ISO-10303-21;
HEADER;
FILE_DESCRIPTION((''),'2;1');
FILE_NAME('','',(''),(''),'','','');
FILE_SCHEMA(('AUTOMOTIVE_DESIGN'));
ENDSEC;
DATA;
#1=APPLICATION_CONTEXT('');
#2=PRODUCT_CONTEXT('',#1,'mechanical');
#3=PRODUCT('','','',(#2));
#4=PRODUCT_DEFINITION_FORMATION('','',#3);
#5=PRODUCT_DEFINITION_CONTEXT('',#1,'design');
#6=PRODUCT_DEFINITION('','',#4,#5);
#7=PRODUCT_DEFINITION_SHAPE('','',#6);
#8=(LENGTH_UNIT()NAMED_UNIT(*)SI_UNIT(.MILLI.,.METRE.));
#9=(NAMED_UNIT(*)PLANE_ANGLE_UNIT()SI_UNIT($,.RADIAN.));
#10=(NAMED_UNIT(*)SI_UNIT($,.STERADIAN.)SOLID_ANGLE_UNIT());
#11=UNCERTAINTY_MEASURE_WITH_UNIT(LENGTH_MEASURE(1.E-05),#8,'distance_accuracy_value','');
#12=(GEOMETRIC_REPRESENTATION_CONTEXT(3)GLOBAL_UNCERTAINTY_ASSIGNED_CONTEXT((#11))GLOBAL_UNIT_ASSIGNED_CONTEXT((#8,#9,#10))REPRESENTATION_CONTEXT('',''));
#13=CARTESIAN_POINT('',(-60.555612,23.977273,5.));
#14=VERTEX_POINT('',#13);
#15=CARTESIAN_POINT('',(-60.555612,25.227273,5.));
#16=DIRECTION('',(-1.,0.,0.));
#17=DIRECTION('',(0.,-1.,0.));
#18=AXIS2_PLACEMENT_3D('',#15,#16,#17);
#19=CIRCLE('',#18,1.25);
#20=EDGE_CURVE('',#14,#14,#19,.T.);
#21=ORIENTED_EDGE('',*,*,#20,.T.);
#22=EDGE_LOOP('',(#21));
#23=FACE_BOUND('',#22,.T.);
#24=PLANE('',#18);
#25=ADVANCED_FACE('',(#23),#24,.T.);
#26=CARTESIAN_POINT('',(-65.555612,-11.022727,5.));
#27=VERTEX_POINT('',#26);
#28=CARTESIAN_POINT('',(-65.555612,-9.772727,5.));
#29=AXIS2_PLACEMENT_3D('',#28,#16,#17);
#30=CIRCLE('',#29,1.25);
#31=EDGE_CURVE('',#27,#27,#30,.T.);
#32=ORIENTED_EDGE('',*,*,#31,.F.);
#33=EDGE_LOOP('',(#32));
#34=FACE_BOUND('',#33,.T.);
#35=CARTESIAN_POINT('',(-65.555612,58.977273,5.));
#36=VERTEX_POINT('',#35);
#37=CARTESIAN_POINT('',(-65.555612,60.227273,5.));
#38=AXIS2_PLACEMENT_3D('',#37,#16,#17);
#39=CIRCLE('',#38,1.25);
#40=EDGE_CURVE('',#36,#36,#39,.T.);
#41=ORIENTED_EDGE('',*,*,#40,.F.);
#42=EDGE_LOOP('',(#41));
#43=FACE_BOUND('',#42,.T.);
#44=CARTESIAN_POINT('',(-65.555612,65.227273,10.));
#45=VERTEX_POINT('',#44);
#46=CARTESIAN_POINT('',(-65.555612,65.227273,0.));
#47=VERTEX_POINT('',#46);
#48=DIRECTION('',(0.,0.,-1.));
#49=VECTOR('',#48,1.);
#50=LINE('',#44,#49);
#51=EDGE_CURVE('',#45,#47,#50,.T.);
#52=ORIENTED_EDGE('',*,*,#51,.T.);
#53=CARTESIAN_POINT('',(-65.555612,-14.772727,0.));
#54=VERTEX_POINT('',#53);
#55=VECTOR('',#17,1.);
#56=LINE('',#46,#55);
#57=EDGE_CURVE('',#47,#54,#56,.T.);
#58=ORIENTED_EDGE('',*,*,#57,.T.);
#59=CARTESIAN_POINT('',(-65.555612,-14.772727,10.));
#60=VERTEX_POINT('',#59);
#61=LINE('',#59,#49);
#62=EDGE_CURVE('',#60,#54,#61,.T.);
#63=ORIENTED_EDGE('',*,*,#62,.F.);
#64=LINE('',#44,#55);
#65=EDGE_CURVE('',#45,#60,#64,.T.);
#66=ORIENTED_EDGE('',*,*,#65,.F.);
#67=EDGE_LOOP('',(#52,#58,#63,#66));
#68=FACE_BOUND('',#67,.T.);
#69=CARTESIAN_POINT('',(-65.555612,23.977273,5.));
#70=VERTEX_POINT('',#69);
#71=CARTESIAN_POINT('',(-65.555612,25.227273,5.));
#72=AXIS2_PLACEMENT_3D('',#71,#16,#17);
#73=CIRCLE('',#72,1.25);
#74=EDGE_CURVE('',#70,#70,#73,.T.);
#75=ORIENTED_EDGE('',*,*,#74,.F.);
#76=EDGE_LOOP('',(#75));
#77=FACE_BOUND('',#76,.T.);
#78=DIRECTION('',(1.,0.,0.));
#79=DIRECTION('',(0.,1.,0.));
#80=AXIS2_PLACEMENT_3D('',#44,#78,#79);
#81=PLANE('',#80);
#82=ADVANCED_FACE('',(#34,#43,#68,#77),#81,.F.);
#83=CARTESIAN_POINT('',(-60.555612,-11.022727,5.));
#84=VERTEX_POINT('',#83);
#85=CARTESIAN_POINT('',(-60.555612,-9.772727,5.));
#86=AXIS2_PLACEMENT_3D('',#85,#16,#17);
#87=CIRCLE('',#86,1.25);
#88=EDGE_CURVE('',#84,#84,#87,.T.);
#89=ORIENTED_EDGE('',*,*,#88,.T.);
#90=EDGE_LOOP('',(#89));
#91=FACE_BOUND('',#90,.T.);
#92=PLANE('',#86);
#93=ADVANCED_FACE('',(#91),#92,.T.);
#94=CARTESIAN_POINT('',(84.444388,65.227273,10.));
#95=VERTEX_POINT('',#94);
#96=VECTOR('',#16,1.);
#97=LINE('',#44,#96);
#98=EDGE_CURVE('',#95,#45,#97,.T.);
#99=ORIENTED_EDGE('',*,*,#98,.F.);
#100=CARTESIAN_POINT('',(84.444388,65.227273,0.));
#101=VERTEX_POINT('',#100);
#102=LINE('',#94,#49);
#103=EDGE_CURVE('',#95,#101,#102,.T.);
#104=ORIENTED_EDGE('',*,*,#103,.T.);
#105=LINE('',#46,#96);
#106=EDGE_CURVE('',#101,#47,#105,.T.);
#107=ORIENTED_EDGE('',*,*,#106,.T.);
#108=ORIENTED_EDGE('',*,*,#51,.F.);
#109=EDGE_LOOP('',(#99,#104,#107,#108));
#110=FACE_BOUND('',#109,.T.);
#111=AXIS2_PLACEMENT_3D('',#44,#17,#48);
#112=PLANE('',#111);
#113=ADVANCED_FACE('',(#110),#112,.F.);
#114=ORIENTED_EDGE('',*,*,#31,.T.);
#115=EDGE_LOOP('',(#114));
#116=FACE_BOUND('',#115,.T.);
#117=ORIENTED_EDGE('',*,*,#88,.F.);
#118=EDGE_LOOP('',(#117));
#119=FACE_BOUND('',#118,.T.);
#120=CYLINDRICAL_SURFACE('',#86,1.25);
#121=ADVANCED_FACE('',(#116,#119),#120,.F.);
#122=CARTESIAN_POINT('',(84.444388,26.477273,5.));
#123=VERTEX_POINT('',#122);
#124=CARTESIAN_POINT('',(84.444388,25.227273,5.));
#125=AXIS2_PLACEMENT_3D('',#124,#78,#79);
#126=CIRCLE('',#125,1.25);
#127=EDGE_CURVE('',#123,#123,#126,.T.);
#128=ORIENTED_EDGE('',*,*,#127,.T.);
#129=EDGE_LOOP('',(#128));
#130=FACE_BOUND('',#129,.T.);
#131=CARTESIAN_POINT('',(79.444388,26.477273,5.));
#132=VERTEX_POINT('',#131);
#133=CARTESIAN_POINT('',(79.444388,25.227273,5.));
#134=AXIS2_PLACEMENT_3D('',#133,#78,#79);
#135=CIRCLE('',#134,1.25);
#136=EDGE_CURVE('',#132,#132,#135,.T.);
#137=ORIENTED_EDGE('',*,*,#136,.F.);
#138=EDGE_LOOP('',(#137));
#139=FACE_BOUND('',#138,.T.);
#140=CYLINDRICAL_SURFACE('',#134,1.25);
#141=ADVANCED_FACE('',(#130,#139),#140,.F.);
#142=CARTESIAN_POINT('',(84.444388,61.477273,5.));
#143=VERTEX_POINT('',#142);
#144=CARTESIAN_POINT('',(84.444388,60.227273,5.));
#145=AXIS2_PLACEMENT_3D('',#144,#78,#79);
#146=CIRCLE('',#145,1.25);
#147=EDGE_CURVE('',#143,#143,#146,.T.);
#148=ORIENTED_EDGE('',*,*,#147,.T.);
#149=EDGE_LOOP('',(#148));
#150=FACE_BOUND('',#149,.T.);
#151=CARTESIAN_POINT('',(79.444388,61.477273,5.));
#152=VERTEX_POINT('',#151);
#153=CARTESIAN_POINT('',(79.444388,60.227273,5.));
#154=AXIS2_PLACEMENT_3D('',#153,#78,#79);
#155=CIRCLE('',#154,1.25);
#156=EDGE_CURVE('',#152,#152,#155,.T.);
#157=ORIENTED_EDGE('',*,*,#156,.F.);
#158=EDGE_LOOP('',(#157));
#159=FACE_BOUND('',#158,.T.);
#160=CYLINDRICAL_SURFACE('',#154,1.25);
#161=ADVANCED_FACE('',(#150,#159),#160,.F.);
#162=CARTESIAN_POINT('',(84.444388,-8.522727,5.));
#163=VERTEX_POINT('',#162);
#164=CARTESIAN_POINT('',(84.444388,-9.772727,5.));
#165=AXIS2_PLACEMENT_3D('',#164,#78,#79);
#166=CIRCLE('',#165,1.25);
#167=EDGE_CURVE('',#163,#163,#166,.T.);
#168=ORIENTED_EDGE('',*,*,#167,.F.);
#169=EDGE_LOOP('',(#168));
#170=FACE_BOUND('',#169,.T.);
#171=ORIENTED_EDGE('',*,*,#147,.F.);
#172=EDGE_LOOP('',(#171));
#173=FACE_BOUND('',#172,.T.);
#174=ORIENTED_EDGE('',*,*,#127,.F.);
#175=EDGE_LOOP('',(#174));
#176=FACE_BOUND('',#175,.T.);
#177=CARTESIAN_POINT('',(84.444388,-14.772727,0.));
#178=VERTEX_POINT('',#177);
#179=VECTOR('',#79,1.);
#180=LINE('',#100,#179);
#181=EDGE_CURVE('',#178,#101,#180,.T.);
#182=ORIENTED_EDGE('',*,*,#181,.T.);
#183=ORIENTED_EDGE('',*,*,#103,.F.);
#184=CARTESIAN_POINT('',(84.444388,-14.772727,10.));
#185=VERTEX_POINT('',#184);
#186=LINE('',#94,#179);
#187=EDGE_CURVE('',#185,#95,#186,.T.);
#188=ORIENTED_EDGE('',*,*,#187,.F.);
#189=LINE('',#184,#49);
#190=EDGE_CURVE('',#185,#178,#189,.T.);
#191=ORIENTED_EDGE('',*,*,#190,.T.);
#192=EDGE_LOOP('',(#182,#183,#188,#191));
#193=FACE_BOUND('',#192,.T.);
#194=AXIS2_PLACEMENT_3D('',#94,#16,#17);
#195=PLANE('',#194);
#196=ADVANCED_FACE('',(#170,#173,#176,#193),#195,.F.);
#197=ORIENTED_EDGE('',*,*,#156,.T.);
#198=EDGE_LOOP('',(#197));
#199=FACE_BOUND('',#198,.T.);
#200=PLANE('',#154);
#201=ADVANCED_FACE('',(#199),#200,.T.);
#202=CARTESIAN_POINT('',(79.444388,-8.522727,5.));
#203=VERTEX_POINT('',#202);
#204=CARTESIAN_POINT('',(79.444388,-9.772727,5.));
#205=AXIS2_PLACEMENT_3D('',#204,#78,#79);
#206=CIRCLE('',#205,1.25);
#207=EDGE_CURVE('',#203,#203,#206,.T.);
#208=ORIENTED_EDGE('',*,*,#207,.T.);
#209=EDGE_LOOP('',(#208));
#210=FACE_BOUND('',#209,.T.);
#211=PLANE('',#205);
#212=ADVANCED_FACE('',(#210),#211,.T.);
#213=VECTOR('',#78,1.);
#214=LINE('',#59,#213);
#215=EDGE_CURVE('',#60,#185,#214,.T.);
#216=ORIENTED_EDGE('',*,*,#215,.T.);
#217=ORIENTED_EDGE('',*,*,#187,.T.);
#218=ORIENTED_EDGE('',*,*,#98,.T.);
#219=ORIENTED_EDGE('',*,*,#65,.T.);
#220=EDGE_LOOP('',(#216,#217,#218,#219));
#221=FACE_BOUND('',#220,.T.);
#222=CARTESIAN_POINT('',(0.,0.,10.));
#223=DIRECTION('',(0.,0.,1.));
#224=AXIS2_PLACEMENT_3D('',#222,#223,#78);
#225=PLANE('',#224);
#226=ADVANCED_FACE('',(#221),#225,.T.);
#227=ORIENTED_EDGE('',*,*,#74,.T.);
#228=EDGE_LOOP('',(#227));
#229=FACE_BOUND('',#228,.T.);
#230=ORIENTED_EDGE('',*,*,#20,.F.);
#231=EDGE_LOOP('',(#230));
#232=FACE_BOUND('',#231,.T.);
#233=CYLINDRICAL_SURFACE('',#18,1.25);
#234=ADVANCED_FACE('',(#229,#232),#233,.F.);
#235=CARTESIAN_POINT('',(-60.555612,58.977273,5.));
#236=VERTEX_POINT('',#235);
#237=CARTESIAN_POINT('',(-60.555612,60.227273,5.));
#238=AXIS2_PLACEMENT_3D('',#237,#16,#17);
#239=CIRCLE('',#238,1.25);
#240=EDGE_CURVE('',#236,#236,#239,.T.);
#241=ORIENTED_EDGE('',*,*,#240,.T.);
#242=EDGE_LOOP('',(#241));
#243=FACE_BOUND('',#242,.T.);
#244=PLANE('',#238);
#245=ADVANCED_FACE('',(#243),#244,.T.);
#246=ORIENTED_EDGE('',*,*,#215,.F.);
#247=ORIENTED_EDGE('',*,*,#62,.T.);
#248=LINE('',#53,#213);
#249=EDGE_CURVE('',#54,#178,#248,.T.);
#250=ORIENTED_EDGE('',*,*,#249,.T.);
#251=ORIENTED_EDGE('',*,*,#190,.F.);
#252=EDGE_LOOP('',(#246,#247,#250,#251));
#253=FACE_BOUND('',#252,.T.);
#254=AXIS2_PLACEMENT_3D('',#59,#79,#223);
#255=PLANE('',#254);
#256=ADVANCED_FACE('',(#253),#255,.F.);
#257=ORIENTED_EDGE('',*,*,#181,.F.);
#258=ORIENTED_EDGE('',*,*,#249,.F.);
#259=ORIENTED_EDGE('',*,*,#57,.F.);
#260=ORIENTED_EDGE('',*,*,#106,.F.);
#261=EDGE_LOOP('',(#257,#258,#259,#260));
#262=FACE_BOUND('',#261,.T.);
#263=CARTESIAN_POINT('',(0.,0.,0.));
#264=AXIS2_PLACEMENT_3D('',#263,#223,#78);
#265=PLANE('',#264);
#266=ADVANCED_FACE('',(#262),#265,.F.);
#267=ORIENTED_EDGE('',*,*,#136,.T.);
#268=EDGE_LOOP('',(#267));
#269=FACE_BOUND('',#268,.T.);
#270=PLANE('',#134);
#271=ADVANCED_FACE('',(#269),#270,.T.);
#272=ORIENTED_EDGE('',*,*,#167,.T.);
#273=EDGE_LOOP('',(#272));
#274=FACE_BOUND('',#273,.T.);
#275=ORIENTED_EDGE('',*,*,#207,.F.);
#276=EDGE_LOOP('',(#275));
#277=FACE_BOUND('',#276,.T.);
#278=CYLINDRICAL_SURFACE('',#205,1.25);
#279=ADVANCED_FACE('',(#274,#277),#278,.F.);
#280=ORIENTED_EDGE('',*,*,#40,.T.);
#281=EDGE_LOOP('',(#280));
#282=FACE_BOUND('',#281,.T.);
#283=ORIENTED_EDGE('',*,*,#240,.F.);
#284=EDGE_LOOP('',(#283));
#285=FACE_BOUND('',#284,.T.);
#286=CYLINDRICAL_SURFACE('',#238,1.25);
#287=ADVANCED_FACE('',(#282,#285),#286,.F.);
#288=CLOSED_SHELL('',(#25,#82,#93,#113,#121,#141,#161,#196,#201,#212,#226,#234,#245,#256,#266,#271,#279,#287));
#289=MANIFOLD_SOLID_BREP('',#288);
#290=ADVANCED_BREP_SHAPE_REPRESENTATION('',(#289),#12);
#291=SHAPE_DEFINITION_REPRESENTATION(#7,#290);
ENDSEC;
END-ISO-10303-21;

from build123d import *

# Parameters (mm, degrees)
SKIZZE1_W                       = 150
SKIZZE1_H                       = 80
AUFSATZ_LINEAR_AUSTRAGEN1_DEPTH = 10
SKIZZE2_R                       = 1.25
SCHNITT_LINEAR_AUSTRAGEN1_DEPTH = 5
SCHNITT_LINEAR_START            = -5
SKIZZE3_R                       = 1.25
SCHNITT_LINEAR_AUSTRAGEN2_DEPTH = 5


with BuildPart() as part:
    # Skizze1 → Aufsatz-Linear austragen1 (new body)
    with BuildSketch(Plane.XY):
        with Locations((9.444388014, 25.227272727)):
            Rectangle(SKIZZE1_W, SKIZZE1_H)
    extrude(amount=AUFSATZ_LINEAR_AUSTRAGEN1_DEPTH)

    # Skizze2 → Schnitt-Linear austragen1 (cut)
    with BuildSketch(Plane.ZY.offset(65.555611986)):
        with Locations(Location((5, 60.227272727, 0), (0, 0, 270))):
            Circle(SKIZZE2_R)
        with Locations(Location((5, 25.227272727, 0), (0, 0, 270))):
            Circle(SKIZZE2_R)
        with Locations(Location((5, -9.772727273, 0), (0, 0, 270))):
            Circle(SKIZZE2_R)
    extrude(amount=-SCHNITT_LINEAR_AUSTRAGEN1_DEPTH, mode=Mode.SUBTRACT)

    # Skizze3 → Schnitt-Linear austragen2 (cut)
    with BuildSketch(Plane(origin=(84.444388014, 0, 0), x_dir=(0, 0, -1), z_dir=(1, 0, 0)).offset(SCHNITT_LINEAR_START)):
        with Locations(Location((-5, 60.227272727, 0), (0, 0, 270))):
            Circle(SKIZZE3_R)
        with Locations(Location((-5, 25.227272727, 0), (0, 0, 270))):
            Circle(SKIZZE3_R)
        with Locations(Location((-5, -9.772727273, 0), (0, 0, 270))):
            Circle(SKIZZE3_R)
    extrude(amount=SCHNITT_LINEAR_AUSTRAGEN2_DEPTH, mode=Mode.SUBTRACT)


solid = part.part
